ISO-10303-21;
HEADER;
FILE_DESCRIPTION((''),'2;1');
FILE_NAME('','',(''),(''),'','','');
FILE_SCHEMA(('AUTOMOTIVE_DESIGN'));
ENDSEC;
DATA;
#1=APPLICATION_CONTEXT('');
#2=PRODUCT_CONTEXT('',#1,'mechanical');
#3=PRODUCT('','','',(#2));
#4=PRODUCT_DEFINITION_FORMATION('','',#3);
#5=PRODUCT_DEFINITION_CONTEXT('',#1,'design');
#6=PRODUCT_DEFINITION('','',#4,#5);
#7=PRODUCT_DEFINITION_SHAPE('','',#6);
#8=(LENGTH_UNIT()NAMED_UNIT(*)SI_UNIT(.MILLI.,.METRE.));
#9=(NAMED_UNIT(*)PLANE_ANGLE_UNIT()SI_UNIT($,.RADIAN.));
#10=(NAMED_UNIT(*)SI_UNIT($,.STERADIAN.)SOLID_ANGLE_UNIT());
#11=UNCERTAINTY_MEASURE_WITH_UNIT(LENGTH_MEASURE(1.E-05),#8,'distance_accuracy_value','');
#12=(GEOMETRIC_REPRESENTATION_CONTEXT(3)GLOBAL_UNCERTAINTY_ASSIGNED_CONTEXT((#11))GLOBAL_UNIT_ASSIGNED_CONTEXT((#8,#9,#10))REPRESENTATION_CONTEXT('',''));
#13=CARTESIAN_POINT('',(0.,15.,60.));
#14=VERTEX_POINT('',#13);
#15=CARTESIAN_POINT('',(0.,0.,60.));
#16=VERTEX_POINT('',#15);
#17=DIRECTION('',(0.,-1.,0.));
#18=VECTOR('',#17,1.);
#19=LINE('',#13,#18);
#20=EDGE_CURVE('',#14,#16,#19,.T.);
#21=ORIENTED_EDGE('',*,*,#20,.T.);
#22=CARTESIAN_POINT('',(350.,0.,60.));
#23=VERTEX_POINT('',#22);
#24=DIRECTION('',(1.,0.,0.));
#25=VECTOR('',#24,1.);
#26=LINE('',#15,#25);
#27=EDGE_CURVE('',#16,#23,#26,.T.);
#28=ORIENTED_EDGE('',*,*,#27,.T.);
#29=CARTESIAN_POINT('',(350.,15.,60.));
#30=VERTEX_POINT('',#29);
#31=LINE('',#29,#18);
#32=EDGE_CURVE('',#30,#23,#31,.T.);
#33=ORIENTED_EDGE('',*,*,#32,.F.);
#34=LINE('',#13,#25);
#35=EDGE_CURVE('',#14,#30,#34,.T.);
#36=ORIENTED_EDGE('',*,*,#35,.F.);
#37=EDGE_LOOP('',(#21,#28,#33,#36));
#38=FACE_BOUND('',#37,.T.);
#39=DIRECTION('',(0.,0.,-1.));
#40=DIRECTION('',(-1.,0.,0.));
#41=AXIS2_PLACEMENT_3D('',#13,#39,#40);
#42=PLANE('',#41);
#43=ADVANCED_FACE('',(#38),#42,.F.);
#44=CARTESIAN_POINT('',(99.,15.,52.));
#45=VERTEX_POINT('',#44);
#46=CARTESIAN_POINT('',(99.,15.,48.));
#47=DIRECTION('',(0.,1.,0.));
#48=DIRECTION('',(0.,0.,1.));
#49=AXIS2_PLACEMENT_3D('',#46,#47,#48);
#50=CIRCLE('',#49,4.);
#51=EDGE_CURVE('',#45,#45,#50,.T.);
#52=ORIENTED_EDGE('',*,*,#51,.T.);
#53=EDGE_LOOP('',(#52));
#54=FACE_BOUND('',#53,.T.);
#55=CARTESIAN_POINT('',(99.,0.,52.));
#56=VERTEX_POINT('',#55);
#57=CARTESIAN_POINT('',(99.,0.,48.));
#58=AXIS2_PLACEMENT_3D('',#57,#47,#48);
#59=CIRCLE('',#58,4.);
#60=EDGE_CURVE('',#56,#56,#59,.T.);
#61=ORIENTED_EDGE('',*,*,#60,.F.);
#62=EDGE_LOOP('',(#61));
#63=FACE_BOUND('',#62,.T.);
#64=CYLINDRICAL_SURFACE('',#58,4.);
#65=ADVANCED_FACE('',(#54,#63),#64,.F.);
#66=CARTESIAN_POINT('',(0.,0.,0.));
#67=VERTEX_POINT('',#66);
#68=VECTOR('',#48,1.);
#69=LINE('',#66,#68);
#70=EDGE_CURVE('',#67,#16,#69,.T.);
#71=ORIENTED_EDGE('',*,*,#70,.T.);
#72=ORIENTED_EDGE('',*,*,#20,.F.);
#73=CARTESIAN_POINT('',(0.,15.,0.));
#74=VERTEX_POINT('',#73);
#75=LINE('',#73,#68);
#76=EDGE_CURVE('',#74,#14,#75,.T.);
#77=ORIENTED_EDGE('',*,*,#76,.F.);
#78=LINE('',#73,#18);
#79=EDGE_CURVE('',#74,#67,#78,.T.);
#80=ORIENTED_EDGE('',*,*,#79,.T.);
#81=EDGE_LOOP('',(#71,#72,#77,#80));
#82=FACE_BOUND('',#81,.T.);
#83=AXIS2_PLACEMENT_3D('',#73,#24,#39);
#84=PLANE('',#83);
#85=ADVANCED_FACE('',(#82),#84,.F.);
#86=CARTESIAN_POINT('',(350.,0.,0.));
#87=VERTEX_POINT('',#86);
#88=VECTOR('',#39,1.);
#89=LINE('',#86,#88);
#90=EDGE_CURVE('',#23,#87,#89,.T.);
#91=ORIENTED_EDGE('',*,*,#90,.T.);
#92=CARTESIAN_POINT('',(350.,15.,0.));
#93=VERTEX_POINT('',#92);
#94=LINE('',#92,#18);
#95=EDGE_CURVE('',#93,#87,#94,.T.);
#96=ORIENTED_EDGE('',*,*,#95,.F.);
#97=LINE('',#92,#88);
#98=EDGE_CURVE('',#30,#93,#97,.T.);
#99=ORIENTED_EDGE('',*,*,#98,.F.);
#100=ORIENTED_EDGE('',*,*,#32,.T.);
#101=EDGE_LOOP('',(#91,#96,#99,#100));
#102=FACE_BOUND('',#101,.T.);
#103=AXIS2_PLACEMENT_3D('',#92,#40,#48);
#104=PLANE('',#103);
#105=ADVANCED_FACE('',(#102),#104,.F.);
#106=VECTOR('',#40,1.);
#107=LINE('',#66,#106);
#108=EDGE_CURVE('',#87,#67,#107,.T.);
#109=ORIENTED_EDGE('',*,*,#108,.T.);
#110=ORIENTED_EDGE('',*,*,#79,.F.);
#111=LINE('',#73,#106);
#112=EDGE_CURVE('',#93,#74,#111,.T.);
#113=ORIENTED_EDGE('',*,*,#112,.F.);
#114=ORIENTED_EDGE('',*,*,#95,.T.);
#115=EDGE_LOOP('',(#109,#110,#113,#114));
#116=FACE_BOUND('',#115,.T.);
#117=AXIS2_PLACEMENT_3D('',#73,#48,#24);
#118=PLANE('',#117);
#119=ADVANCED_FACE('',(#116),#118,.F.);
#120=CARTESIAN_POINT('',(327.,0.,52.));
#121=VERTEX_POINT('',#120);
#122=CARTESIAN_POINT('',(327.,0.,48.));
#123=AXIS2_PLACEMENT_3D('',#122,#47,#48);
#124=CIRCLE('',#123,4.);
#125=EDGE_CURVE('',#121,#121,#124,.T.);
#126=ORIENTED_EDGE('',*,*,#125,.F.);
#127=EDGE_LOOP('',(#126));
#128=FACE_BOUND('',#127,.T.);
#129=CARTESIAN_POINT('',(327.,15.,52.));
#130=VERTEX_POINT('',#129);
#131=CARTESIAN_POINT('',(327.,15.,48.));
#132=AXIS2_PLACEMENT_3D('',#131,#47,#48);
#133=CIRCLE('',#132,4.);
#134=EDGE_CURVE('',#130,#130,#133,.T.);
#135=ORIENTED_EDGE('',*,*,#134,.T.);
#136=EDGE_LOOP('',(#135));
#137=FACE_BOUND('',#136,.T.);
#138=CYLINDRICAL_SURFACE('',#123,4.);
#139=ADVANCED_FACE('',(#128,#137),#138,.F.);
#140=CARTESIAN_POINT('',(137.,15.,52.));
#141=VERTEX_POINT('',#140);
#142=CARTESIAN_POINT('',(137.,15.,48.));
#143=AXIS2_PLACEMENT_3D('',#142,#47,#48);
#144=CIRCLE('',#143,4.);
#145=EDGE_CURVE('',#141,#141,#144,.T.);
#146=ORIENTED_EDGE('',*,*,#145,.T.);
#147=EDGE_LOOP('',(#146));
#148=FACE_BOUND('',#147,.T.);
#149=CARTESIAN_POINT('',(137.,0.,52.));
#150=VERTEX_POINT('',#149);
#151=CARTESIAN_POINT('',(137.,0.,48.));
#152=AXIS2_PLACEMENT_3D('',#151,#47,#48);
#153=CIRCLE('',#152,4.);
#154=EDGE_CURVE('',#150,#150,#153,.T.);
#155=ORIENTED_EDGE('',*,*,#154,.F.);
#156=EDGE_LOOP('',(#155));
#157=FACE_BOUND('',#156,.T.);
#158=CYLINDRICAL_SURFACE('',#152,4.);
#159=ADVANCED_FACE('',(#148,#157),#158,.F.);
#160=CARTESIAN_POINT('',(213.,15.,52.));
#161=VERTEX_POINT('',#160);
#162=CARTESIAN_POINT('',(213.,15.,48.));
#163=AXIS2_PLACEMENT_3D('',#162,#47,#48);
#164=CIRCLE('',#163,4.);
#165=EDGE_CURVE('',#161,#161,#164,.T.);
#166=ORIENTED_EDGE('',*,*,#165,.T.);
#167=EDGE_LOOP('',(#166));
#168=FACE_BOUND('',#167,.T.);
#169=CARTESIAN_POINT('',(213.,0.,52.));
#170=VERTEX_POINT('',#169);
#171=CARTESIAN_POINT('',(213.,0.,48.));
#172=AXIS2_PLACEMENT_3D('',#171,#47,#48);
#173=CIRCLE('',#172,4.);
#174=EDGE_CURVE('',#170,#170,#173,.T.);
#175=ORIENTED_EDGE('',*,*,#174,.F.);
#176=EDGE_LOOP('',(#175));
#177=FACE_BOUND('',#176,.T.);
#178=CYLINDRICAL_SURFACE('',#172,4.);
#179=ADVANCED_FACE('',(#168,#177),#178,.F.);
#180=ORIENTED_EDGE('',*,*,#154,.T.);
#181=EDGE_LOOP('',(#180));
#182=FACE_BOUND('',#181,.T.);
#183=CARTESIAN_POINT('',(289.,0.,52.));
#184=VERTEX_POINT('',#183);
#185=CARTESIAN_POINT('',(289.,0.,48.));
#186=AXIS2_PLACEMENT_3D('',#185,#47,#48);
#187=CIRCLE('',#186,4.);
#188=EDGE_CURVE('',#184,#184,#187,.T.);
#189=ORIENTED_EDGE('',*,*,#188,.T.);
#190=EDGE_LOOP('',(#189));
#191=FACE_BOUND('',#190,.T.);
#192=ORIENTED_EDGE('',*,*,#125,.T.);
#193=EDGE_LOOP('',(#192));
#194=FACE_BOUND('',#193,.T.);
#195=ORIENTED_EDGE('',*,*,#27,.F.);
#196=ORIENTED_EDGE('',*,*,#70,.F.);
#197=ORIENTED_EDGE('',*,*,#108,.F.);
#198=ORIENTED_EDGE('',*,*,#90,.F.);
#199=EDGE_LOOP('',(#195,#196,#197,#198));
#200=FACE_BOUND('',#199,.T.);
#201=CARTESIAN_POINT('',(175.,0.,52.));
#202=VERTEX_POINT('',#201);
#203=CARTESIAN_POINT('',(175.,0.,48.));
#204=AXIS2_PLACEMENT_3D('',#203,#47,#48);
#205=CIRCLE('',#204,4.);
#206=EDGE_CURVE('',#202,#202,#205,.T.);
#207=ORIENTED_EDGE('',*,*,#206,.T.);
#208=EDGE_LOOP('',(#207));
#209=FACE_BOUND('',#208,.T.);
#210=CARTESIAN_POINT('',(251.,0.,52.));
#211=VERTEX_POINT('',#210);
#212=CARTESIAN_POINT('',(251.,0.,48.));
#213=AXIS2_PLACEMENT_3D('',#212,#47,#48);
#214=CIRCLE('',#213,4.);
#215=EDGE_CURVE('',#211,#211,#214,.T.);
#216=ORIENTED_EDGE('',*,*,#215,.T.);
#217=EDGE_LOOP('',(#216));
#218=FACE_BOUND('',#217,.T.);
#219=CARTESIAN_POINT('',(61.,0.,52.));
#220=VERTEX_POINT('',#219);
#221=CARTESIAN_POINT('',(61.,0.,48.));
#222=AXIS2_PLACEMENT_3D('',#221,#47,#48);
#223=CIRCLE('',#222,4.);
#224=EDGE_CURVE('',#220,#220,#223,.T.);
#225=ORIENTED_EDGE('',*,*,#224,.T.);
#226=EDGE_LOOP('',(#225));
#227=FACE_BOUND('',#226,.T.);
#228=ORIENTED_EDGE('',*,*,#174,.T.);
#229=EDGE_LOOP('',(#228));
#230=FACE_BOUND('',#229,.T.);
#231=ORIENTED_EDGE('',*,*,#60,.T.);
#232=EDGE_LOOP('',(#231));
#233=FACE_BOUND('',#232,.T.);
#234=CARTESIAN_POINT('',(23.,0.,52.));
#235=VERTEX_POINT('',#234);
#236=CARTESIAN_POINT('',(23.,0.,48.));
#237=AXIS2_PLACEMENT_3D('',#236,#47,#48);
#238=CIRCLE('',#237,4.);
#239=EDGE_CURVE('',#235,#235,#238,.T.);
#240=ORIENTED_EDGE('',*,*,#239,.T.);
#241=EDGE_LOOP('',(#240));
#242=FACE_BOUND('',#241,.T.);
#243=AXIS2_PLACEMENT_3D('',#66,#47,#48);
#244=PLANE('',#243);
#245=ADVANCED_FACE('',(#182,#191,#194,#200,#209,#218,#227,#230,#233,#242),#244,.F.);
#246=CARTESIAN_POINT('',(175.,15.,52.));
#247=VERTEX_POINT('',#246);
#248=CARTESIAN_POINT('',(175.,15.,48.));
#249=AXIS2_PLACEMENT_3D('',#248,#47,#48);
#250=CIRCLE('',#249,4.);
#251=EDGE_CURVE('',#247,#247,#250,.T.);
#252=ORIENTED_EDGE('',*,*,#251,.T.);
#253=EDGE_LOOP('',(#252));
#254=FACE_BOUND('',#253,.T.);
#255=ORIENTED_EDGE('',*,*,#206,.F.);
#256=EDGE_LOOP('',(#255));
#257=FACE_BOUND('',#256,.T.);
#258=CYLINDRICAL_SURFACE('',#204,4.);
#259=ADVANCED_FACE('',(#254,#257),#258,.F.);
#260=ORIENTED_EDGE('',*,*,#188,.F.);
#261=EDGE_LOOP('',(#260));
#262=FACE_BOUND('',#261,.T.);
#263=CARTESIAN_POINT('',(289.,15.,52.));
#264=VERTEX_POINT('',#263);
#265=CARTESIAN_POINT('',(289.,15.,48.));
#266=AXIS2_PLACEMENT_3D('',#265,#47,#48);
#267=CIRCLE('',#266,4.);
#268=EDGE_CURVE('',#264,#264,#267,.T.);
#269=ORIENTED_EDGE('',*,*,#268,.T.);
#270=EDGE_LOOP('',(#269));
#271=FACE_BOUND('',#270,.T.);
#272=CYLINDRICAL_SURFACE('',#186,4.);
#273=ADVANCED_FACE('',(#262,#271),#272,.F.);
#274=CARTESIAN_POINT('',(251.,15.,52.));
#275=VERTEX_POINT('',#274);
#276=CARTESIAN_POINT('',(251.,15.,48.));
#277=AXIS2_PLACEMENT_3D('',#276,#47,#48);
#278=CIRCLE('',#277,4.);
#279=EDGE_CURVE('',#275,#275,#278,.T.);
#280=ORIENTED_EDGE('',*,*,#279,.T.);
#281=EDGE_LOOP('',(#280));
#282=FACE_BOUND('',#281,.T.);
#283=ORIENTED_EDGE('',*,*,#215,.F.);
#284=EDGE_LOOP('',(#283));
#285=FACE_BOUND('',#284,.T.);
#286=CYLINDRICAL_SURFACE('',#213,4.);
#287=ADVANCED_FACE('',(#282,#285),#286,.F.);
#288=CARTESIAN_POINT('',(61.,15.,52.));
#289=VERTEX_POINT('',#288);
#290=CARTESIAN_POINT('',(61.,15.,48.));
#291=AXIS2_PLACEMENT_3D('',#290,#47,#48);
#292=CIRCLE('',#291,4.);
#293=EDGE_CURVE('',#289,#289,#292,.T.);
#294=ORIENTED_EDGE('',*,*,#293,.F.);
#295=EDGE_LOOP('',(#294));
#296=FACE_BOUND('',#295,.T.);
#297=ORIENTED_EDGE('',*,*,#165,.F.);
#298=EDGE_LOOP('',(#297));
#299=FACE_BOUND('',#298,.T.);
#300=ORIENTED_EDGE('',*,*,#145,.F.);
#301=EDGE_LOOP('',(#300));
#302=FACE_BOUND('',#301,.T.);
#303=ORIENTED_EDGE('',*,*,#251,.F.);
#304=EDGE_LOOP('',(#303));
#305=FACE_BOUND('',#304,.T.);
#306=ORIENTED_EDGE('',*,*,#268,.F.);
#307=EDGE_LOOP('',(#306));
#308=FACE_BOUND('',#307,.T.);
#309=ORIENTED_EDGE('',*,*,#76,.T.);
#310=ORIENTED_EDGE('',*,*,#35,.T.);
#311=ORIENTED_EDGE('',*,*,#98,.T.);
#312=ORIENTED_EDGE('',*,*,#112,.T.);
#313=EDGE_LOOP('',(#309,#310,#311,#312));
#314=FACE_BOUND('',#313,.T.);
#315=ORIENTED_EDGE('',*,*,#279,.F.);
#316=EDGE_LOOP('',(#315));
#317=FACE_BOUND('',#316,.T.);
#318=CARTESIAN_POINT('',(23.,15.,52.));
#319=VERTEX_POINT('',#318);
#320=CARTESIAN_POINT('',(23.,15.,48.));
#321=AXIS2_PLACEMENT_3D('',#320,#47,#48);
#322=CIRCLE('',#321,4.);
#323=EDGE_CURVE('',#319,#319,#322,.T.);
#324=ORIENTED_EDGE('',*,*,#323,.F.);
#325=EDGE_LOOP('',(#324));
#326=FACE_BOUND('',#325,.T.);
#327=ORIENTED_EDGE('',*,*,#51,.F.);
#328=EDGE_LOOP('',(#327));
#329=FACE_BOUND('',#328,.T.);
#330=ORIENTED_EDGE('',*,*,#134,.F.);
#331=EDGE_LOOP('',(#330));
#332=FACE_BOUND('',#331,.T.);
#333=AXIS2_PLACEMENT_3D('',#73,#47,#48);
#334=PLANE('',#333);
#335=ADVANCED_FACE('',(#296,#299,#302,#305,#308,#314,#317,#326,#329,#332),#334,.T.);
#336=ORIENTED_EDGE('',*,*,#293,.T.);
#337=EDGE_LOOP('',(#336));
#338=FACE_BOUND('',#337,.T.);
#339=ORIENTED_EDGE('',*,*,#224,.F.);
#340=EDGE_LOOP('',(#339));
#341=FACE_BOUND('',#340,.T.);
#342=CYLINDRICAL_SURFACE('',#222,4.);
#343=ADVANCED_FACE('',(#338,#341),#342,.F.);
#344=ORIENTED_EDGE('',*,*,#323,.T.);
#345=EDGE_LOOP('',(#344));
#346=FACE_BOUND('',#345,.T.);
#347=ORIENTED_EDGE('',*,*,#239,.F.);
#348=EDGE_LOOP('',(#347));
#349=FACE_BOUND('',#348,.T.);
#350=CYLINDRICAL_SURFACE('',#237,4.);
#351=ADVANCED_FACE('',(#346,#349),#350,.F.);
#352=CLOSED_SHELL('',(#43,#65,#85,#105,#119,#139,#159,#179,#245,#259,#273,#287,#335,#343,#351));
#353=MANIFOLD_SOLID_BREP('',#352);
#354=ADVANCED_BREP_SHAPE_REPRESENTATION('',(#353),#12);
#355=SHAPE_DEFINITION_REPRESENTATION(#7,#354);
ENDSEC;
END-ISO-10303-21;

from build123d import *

# Parameters (mm, degrees)
SKETCH1_W           = 350
SKETCH1_H           = 60
BOSS_EXTRUDE1_DEPTH = 15
SKETCH2_R           = 4
CUT_EXTRUDE1_DEPTH  = 356.422284051


with BuildPart() as part:
    # Sketch1 → Boss-Extrude1 (new body)
    with BuildSketch(Plane(origin=(0, 0, 0), x_dir=(1, 0, 0), z_dir=(0, 1, 0))):
        with Locations((175, -30)):
            Rectangle(SKETCH1_W, SKETCH1_H)
    extrude(amount=BOSS_EXTRUDE1_DEPTH)

    # Sketch2 → Cut-Extrude1 (cut, through all)
    with BuildSketch(Plane(origin=(0, 15, 0), x_dir=(1, 0, 0), z_dir=(0, 1, 0))):
        with Locations(Location((23, -48, 0), (0, 0, 270))):
            Circle(SKETCH2_R)
        with Locations(Location((61, -48, 0), (0, 0, 270))):
            Circle(SKETCH2_R)
        with Locations(Location((99, -48, 0), (0, 0, 270))):
            Circle(SKETCH2_R)
        with Locations(Location((137, -48, 0), (0, 0, 270))):
            Circle(SKETCH2_R)
        with Locations(Location((175, -48, 0), (0, 0, 270))):
            Circle(SKETCH2_R)
        with Locations(Location((213, -48, 0), (0, 0, 270))):
            Circle(SKETCH2_R)
        with Locations(Location((251, -48, 0), (0, 0, 270))):
            Circle(SKETCH2_R)
        with Locations(Location((289, -48, 0), (0, 0, 270))):
            Circle(SKETCH2_R)
        with Locations(Location((327, -48, 0), (0, 0, 270))):
            Circle(SKETCH2_R)
    extrude(amount=-CUT_EXTRUDE1_DEPTH, mode=Mode.SUBTRACT)


solid = part.part
